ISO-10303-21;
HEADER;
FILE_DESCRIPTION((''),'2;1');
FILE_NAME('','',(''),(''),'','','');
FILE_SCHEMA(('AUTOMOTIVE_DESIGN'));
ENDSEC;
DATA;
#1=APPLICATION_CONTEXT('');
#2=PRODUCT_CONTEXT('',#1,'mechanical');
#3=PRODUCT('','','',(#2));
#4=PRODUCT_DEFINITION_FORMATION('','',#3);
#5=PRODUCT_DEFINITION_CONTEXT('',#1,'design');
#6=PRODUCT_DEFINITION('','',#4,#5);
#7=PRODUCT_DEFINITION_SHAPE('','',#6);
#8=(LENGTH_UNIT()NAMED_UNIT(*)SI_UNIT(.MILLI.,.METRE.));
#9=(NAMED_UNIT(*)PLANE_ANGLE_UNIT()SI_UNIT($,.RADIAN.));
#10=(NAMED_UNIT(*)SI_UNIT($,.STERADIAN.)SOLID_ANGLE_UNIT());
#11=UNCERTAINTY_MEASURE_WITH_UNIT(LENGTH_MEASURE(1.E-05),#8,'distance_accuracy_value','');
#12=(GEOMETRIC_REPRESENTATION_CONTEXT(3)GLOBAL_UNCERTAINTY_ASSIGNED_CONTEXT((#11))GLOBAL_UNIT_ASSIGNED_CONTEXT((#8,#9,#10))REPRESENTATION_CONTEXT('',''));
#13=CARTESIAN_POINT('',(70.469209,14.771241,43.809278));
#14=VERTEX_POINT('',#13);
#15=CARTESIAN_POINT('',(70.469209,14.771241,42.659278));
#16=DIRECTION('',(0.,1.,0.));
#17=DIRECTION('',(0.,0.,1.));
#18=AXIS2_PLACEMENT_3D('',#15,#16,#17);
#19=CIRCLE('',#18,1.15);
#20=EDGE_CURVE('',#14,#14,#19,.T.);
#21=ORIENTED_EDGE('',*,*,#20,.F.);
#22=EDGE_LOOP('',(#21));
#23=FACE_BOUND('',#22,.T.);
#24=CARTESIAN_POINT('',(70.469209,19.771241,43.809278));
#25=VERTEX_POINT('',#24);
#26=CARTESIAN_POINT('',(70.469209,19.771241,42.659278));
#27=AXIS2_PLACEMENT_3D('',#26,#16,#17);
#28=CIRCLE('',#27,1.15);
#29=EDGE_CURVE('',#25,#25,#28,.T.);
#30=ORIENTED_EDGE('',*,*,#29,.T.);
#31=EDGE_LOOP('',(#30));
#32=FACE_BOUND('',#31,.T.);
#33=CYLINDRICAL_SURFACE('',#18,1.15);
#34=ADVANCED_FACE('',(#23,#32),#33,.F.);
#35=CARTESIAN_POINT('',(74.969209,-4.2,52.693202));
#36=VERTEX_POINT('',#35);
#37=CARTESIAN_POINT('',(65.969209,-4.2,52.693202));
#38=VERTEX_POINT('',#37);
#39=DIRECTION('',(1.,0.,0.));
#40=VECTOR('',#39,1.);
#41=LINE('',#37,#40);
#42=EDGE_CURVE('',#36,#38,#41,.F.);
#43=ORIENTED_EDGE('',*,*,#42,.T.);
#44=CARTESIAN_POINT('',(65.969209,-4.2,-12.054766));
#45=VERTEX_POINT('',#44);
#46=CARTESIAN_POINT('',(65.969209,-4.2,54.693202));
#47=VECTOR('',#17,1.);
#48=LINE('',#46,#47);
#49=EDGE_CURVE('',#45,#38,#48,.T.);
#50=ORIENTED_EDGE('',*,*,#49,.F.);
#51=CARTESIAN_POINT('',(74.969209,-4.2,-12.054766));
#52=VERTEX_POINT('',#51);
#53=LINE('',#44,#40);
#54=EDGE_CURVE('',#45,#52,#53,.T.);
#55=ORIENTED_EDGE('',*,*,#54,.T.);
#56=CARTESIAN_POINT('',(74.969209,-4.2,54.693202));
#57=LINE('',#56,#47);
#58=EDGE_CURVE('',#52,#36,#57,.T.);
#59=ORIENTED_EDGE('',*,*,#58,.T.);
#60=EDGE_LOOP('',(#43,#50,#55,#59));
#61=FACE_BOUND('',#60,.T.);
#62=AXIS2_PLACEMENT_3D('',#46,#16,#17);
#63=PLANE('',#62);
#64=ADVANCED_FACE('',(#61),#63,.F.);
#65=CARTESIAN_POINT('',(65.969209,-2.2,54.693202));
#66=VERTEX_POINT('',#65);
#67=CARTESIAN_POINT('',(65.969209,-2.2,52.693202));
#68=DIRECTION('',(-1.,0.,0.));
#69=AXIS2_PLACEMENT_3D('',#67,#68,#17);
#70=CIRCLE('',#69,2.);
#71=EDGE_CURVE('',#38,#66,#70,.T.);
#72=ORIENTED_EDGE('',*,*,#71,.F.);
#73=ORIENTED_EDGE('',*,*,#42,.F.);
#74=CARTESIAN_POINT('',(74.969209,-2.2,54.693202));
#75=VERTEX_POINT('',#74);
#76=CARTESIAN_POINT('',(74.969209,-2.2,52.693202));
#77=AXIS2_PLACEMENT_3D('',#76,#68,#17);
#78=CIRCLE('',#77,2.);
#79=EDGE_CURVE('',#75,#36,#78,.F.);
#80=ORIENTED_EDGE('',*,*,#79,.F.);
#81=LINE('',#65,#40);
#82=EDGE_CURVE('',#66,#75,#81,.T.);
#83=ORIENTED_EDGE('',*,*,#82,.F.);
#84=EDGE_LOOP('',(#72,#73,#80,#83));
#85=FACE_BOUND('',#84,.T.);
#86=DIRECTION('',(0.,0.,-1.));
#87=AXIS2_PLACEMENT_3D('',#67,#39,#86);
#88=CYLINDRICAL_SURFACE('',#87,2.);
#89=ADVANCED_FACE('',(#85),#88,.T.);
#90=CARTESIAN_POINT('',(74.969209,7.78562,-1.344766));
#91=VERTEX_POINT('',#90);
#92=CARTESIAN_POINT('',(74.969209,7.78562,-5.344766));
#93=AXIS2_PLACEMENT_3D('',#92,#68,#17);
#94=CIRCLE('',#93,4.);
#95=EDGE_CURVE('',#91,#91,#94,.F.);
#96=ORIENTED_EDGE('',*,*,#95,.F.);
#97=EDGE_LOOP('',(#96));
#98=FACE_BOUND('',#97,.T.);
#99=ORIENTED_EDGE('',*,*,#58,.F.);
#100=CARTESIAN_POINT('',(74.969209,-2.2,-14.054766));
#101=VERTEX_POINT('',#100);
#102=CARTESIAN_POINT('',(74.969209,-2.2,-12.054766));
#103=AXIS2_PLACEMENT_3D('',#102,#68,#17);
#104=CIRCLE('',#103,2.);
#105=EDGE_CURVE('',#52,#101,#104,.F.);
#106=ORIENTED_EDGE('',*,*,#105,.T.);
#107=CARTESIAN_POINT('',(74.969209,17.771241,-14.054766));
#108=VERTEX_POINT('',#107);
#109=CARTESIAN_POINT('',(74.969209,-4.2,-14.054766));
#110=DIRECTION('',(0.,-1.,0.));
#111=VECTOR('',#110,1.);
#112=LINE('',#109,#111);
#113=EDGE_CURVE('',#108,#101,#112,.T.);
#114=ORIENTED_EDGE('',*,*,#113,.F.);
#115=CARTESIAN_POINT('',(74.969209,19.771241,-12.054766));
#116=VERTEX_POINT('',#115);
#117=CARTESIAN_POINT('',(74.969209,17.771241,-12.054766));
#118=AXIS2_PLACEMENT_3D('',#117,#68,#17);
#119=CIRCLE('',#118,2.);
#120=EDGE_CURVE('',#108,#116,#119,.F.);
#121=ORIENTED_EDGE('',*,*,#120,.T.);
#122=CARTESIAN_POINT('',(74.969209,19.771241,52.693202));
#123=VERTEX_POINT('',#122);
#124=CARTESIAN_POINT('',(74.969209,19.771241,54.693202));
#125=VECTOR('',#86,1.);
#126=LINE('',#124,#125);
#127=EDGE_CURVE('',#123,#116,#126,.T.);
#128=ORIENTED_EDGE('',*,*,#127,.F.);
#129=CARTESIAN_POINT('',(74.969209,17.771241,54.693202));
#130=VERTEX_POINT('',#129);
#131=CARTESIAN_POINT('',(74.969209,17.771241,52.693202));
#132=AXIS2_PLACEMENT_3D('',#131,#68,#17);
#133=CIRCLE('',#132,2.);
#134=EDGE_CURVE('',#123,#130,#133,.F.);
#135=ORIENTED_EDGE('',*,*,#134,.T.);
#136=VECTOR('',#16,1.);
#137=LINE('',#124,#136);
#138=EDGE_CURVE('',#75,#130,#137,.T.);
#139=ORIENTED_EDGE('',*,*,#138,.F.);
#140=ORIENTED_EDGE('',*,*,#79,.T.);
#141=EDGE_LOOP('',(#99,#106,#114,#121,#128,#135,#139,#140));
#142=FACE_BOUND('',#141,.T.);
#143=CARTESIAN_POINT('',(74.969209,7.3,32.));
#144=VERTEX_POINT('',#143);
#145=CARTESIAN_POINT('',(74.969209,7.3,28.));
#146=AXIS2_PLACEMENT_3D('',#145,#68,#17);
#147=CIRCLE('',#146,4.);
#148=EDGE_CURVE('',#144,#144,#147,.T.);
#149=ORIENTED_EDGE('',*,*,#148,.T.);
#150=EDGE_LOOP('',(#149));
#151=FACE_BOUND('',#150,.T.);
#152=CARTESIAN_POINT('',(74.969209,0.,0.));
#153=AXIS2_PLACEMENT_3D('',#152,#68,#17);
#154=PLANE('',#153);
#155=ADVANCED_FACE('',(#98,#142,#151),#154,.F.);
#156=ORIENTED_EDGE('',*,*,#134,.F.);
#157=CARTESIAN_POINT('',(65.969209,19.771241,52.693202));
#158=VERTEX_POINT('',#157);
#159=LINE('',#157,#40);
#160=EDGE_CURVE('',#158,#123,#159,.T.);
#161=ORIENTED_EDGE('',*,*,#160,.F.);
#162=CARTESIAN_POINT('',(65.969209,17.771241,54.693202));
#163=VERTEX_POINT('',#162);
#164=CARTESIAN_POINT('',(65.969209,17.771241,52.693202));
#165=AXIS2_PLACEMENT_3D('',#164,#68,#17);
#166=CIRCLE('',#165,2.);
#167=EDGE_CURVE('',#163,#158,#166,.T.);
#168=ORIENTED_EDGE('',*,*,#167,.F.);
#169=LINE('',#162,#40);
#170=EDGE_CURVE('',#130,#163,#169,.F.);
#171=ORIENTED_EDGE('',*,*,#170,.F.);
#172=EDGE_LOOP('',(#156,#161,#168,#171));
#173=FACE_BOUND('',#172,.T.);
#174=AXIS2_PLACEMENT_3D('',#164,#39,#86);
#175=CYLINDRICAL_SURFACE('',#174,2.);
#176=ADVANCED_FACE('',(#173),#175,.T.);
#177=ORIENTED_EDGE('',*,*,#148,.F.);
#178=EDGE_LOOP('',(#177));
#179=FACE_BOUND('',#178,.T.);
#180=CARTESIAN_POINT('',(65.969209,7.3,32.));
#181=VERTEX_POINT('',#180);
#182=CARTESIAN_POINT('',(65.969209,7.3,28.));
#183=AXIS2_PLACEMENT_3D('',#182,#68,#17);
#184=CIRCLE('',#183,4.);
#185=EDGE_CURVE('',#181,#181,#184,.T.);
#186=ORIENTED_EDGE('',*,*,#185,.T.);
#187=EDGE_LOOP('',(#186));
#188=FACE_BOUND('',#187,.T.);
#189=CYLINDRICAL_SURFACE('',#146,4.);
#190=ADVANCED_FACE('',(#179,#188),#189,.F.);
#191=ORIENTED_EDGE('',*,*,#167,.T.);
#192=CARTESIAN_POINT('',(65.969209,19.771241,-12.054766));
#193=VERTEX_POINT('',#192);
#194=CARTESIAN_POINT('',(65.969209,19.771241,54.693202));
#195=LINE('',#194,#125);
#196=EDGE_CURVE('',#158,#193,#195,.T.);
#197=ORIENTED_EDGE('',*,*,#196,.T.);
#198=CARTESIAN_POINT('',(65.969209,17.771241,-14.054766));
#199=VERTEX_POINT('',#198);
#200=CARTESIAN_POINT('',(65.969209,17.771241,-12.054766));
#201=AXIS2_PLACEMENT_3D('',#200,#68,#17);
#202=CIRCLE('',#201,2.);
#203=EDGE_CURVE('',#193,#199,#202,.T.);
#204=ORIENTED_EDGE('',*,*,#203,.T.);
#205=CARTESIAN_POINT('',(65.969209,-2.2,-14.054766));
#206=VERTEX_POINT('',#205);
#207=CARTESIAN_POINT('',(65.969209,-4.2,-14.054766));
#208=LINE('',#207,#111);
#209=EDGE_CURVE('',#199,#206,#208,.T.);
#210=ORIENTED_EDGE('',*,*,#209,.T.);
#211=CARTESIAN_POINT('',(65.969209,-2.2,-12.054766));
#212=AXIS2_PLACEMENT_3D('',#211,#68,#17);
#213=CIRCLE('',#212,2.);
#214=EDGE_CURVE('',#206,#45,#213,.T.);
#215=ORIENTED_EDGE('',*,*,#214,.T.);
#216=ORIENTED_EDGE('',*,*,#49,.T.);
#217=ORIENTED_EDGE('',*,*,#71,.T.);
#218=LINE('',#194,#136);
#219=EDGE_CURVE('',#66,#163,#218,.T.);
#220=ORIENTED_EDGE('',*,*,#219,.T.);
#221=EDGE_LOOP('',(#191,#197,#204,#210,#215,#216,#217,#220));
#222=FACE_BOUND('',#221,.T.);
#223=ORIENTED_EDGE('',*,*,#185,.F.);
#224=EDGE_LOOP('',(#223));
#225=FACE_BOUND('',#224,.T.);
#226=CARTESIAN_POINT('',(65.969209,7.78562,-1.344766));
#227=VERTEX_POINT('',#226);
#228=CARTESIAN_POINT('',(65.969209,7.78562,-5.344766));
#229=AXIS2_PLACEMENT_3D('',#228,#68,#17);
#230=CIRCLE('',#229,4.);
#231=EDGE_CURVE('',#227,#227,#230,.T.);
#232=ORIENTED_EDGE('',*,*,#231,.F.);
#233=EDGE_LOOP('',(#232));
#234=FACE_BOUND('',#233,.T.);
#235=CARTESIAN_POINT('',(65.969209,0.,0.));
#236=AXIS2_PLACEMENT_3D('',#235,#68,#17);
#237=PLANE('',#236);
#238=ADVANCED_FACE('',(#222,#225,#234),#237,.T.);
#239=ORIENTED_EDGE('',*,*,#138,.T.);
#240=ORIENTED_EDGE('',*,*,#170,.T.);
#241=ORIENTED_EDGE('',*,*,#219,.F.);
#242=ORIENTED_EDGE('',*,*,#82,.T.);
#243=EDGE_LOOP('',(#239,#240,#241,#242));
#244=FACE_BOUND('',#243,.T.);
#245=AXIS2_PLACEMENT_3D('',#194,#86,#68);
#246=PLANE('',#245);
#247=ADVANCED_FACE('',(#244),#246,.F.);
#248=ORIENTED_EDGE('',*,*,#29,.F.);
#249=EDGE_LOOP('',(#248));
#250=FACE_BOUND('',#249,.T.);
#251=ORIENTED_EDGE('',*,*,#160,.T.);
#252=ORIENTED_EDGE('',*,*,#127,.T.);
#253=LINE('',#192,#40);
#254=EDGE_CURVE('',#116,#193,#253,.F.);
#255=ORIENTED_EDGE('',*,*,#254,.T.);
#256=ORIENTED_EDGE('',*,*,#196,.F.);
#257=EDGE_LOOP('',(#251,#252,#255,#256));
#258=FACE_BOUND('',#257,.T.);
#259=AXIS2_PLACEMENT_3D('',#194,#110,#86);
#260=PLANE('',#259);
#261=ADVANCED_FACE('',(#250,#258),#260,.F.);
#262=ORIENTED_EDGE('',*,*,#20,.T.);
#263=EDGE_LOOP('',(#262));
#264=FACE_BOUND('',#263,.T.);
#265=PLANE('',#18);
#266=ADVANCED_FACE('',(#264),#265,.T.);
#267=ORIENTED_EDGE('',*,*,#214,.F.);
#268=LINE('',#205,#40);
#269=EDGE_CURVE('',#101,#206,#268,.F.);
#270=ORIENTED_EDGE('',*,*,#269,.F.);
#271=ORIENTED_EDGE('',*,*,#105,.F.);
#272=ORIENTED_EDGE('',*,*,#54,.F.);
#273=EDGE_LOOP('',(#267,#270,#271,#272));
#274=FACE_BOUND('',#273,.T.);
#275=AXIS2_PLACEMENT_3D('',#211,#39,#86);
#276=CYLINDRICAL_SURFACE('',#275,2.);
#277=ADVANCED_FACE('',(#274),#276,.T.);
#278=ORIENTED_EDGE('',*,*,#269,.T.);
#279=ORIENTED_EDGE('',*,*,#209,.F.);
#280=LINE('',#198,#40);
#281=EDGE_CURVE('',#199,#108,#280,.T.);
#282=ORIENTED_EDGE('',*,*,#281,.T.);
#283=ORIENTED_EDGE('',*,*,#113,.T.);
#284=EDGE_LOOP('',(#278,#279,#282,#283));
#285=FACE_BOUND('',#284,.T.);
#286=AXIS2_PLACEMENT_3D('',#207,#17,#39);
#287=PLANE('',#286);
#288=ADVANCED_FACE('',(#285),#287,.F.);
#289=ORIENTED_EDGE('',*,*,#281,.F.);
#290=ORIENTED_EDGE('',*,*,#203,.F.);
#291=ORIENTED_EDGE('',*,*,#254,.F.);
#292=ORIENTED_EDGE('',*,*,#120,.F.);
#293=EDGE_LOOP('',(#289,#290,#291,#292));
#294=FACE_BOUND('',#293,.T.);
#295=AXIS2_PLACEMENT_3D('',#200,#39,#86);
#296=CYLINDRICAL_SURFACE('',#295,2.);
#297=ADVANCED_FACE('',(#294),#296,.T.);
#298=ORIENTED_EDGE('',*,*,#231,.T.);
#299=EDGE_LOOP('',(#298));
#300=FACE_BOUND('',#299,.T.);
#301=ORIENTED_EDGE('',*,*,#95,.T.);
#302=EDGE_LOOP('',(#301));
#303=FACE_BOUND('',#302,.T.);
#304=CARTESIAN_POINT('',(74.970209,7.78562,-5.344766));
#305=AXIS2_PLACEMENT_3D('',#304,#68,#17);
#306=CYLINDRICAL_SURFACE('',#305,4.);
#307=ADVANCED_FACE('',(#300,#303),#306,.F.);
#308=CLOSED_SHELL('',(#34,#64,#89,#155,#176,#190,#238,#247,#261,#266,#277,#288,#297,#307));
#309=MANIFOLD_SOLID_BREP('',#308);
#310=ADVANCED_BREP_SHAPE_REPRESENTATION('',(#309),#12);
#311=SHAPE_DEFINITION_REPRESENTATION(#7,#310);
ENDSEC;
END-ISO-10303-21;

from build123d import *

# Parameters (mm, degrees)
SKETCH1_W           = 68.747968374
SKETCH1_H           = 23.971240905
BOSS_EXTRUDE1_DEPTH = 9
SKETCH2_R           = 4
CUT_EXTRUDE1_DEPTH  = 9
FILLET1_R           = 2
SKETCH3_R           = 1.15
CUT_EXTRUDE2_DEPTH  = 5
CUT_EXTRUDE3_REACH  = 11
SKETCH4_R           = 4


with BuildPart() as part:
    # Sketch1 → Boss-Extrude1 (new body)
    with BuildSketch(Plane.ZY.offset(-74.969208633)):
        with Locations((20.319218255, 7.785620453)):
            Rectangle(SKETCH1_W, SKETCH1_H)
    extrude(amount=BOSS_EXTRUDE1_DEPTH)

    # Sketch2 → Cut-Extrude1 (cut)
    with BuildSketch(Plane.ZY.offset(-65.969208633)):
        with Locations((28, 7.3)):
            Circle(SKETCH2_R)
    extrude(amount=-CUT_EXTRUDE1_DEPTH, mode=Mode.SUBTRACT)

    # Fillet1
    fillet1_edges = [part.edges().sort_by_distance(p)[0] for p in [
        (70.469208633, 19.771240905, -14.054765932),
        (70.469208633, 19.771240905, 54.693202442),
        (70.469208633, -4.2, 54.693202442),
        (70.469208633, -4.2, -14.054765932),
    ]]
    fillet(fillet1_edges, radius=FILLET1_R)

    # Sketch3 → Cut-Extrude2 (cut)
    with BuildSketch(Plane(origin=(0, 19.771240905, 0), x_dir=(1, 0, 0), z_dir=(0, 1, 0))):
        with Locations((70.469208633, -42.659277992)):
            Circle(SKETCH3_R)
    extrude(amount=-CUT_EXTRUDE2_DEPTH, mode=Mode.SUBTRACT)

    # Sketch4 → Cut-Extrude3 (cut, up to next)
    with BuildSketch(Plane.ZY.offset(-65.969208633), mode=Mode.PRIVATE) as cut_extrude3_sk1:
        with Locations((-5.344766421, 7.785620452)):
            Circle(SKETCH4_R)
    cut_extrude3_tool1 = extrude(cut_extrude3_sk1.sketch, amount=-CUT_EXTRUDE3_REACH, mode=Mode.PRIVATE) & part.part
    add(cut_extrude3_tool1.solids().sort_by_distance((65.969209, 7.78562, -5.344766))[0], mode=Mode.SUBTRACT)


solid = part.part
